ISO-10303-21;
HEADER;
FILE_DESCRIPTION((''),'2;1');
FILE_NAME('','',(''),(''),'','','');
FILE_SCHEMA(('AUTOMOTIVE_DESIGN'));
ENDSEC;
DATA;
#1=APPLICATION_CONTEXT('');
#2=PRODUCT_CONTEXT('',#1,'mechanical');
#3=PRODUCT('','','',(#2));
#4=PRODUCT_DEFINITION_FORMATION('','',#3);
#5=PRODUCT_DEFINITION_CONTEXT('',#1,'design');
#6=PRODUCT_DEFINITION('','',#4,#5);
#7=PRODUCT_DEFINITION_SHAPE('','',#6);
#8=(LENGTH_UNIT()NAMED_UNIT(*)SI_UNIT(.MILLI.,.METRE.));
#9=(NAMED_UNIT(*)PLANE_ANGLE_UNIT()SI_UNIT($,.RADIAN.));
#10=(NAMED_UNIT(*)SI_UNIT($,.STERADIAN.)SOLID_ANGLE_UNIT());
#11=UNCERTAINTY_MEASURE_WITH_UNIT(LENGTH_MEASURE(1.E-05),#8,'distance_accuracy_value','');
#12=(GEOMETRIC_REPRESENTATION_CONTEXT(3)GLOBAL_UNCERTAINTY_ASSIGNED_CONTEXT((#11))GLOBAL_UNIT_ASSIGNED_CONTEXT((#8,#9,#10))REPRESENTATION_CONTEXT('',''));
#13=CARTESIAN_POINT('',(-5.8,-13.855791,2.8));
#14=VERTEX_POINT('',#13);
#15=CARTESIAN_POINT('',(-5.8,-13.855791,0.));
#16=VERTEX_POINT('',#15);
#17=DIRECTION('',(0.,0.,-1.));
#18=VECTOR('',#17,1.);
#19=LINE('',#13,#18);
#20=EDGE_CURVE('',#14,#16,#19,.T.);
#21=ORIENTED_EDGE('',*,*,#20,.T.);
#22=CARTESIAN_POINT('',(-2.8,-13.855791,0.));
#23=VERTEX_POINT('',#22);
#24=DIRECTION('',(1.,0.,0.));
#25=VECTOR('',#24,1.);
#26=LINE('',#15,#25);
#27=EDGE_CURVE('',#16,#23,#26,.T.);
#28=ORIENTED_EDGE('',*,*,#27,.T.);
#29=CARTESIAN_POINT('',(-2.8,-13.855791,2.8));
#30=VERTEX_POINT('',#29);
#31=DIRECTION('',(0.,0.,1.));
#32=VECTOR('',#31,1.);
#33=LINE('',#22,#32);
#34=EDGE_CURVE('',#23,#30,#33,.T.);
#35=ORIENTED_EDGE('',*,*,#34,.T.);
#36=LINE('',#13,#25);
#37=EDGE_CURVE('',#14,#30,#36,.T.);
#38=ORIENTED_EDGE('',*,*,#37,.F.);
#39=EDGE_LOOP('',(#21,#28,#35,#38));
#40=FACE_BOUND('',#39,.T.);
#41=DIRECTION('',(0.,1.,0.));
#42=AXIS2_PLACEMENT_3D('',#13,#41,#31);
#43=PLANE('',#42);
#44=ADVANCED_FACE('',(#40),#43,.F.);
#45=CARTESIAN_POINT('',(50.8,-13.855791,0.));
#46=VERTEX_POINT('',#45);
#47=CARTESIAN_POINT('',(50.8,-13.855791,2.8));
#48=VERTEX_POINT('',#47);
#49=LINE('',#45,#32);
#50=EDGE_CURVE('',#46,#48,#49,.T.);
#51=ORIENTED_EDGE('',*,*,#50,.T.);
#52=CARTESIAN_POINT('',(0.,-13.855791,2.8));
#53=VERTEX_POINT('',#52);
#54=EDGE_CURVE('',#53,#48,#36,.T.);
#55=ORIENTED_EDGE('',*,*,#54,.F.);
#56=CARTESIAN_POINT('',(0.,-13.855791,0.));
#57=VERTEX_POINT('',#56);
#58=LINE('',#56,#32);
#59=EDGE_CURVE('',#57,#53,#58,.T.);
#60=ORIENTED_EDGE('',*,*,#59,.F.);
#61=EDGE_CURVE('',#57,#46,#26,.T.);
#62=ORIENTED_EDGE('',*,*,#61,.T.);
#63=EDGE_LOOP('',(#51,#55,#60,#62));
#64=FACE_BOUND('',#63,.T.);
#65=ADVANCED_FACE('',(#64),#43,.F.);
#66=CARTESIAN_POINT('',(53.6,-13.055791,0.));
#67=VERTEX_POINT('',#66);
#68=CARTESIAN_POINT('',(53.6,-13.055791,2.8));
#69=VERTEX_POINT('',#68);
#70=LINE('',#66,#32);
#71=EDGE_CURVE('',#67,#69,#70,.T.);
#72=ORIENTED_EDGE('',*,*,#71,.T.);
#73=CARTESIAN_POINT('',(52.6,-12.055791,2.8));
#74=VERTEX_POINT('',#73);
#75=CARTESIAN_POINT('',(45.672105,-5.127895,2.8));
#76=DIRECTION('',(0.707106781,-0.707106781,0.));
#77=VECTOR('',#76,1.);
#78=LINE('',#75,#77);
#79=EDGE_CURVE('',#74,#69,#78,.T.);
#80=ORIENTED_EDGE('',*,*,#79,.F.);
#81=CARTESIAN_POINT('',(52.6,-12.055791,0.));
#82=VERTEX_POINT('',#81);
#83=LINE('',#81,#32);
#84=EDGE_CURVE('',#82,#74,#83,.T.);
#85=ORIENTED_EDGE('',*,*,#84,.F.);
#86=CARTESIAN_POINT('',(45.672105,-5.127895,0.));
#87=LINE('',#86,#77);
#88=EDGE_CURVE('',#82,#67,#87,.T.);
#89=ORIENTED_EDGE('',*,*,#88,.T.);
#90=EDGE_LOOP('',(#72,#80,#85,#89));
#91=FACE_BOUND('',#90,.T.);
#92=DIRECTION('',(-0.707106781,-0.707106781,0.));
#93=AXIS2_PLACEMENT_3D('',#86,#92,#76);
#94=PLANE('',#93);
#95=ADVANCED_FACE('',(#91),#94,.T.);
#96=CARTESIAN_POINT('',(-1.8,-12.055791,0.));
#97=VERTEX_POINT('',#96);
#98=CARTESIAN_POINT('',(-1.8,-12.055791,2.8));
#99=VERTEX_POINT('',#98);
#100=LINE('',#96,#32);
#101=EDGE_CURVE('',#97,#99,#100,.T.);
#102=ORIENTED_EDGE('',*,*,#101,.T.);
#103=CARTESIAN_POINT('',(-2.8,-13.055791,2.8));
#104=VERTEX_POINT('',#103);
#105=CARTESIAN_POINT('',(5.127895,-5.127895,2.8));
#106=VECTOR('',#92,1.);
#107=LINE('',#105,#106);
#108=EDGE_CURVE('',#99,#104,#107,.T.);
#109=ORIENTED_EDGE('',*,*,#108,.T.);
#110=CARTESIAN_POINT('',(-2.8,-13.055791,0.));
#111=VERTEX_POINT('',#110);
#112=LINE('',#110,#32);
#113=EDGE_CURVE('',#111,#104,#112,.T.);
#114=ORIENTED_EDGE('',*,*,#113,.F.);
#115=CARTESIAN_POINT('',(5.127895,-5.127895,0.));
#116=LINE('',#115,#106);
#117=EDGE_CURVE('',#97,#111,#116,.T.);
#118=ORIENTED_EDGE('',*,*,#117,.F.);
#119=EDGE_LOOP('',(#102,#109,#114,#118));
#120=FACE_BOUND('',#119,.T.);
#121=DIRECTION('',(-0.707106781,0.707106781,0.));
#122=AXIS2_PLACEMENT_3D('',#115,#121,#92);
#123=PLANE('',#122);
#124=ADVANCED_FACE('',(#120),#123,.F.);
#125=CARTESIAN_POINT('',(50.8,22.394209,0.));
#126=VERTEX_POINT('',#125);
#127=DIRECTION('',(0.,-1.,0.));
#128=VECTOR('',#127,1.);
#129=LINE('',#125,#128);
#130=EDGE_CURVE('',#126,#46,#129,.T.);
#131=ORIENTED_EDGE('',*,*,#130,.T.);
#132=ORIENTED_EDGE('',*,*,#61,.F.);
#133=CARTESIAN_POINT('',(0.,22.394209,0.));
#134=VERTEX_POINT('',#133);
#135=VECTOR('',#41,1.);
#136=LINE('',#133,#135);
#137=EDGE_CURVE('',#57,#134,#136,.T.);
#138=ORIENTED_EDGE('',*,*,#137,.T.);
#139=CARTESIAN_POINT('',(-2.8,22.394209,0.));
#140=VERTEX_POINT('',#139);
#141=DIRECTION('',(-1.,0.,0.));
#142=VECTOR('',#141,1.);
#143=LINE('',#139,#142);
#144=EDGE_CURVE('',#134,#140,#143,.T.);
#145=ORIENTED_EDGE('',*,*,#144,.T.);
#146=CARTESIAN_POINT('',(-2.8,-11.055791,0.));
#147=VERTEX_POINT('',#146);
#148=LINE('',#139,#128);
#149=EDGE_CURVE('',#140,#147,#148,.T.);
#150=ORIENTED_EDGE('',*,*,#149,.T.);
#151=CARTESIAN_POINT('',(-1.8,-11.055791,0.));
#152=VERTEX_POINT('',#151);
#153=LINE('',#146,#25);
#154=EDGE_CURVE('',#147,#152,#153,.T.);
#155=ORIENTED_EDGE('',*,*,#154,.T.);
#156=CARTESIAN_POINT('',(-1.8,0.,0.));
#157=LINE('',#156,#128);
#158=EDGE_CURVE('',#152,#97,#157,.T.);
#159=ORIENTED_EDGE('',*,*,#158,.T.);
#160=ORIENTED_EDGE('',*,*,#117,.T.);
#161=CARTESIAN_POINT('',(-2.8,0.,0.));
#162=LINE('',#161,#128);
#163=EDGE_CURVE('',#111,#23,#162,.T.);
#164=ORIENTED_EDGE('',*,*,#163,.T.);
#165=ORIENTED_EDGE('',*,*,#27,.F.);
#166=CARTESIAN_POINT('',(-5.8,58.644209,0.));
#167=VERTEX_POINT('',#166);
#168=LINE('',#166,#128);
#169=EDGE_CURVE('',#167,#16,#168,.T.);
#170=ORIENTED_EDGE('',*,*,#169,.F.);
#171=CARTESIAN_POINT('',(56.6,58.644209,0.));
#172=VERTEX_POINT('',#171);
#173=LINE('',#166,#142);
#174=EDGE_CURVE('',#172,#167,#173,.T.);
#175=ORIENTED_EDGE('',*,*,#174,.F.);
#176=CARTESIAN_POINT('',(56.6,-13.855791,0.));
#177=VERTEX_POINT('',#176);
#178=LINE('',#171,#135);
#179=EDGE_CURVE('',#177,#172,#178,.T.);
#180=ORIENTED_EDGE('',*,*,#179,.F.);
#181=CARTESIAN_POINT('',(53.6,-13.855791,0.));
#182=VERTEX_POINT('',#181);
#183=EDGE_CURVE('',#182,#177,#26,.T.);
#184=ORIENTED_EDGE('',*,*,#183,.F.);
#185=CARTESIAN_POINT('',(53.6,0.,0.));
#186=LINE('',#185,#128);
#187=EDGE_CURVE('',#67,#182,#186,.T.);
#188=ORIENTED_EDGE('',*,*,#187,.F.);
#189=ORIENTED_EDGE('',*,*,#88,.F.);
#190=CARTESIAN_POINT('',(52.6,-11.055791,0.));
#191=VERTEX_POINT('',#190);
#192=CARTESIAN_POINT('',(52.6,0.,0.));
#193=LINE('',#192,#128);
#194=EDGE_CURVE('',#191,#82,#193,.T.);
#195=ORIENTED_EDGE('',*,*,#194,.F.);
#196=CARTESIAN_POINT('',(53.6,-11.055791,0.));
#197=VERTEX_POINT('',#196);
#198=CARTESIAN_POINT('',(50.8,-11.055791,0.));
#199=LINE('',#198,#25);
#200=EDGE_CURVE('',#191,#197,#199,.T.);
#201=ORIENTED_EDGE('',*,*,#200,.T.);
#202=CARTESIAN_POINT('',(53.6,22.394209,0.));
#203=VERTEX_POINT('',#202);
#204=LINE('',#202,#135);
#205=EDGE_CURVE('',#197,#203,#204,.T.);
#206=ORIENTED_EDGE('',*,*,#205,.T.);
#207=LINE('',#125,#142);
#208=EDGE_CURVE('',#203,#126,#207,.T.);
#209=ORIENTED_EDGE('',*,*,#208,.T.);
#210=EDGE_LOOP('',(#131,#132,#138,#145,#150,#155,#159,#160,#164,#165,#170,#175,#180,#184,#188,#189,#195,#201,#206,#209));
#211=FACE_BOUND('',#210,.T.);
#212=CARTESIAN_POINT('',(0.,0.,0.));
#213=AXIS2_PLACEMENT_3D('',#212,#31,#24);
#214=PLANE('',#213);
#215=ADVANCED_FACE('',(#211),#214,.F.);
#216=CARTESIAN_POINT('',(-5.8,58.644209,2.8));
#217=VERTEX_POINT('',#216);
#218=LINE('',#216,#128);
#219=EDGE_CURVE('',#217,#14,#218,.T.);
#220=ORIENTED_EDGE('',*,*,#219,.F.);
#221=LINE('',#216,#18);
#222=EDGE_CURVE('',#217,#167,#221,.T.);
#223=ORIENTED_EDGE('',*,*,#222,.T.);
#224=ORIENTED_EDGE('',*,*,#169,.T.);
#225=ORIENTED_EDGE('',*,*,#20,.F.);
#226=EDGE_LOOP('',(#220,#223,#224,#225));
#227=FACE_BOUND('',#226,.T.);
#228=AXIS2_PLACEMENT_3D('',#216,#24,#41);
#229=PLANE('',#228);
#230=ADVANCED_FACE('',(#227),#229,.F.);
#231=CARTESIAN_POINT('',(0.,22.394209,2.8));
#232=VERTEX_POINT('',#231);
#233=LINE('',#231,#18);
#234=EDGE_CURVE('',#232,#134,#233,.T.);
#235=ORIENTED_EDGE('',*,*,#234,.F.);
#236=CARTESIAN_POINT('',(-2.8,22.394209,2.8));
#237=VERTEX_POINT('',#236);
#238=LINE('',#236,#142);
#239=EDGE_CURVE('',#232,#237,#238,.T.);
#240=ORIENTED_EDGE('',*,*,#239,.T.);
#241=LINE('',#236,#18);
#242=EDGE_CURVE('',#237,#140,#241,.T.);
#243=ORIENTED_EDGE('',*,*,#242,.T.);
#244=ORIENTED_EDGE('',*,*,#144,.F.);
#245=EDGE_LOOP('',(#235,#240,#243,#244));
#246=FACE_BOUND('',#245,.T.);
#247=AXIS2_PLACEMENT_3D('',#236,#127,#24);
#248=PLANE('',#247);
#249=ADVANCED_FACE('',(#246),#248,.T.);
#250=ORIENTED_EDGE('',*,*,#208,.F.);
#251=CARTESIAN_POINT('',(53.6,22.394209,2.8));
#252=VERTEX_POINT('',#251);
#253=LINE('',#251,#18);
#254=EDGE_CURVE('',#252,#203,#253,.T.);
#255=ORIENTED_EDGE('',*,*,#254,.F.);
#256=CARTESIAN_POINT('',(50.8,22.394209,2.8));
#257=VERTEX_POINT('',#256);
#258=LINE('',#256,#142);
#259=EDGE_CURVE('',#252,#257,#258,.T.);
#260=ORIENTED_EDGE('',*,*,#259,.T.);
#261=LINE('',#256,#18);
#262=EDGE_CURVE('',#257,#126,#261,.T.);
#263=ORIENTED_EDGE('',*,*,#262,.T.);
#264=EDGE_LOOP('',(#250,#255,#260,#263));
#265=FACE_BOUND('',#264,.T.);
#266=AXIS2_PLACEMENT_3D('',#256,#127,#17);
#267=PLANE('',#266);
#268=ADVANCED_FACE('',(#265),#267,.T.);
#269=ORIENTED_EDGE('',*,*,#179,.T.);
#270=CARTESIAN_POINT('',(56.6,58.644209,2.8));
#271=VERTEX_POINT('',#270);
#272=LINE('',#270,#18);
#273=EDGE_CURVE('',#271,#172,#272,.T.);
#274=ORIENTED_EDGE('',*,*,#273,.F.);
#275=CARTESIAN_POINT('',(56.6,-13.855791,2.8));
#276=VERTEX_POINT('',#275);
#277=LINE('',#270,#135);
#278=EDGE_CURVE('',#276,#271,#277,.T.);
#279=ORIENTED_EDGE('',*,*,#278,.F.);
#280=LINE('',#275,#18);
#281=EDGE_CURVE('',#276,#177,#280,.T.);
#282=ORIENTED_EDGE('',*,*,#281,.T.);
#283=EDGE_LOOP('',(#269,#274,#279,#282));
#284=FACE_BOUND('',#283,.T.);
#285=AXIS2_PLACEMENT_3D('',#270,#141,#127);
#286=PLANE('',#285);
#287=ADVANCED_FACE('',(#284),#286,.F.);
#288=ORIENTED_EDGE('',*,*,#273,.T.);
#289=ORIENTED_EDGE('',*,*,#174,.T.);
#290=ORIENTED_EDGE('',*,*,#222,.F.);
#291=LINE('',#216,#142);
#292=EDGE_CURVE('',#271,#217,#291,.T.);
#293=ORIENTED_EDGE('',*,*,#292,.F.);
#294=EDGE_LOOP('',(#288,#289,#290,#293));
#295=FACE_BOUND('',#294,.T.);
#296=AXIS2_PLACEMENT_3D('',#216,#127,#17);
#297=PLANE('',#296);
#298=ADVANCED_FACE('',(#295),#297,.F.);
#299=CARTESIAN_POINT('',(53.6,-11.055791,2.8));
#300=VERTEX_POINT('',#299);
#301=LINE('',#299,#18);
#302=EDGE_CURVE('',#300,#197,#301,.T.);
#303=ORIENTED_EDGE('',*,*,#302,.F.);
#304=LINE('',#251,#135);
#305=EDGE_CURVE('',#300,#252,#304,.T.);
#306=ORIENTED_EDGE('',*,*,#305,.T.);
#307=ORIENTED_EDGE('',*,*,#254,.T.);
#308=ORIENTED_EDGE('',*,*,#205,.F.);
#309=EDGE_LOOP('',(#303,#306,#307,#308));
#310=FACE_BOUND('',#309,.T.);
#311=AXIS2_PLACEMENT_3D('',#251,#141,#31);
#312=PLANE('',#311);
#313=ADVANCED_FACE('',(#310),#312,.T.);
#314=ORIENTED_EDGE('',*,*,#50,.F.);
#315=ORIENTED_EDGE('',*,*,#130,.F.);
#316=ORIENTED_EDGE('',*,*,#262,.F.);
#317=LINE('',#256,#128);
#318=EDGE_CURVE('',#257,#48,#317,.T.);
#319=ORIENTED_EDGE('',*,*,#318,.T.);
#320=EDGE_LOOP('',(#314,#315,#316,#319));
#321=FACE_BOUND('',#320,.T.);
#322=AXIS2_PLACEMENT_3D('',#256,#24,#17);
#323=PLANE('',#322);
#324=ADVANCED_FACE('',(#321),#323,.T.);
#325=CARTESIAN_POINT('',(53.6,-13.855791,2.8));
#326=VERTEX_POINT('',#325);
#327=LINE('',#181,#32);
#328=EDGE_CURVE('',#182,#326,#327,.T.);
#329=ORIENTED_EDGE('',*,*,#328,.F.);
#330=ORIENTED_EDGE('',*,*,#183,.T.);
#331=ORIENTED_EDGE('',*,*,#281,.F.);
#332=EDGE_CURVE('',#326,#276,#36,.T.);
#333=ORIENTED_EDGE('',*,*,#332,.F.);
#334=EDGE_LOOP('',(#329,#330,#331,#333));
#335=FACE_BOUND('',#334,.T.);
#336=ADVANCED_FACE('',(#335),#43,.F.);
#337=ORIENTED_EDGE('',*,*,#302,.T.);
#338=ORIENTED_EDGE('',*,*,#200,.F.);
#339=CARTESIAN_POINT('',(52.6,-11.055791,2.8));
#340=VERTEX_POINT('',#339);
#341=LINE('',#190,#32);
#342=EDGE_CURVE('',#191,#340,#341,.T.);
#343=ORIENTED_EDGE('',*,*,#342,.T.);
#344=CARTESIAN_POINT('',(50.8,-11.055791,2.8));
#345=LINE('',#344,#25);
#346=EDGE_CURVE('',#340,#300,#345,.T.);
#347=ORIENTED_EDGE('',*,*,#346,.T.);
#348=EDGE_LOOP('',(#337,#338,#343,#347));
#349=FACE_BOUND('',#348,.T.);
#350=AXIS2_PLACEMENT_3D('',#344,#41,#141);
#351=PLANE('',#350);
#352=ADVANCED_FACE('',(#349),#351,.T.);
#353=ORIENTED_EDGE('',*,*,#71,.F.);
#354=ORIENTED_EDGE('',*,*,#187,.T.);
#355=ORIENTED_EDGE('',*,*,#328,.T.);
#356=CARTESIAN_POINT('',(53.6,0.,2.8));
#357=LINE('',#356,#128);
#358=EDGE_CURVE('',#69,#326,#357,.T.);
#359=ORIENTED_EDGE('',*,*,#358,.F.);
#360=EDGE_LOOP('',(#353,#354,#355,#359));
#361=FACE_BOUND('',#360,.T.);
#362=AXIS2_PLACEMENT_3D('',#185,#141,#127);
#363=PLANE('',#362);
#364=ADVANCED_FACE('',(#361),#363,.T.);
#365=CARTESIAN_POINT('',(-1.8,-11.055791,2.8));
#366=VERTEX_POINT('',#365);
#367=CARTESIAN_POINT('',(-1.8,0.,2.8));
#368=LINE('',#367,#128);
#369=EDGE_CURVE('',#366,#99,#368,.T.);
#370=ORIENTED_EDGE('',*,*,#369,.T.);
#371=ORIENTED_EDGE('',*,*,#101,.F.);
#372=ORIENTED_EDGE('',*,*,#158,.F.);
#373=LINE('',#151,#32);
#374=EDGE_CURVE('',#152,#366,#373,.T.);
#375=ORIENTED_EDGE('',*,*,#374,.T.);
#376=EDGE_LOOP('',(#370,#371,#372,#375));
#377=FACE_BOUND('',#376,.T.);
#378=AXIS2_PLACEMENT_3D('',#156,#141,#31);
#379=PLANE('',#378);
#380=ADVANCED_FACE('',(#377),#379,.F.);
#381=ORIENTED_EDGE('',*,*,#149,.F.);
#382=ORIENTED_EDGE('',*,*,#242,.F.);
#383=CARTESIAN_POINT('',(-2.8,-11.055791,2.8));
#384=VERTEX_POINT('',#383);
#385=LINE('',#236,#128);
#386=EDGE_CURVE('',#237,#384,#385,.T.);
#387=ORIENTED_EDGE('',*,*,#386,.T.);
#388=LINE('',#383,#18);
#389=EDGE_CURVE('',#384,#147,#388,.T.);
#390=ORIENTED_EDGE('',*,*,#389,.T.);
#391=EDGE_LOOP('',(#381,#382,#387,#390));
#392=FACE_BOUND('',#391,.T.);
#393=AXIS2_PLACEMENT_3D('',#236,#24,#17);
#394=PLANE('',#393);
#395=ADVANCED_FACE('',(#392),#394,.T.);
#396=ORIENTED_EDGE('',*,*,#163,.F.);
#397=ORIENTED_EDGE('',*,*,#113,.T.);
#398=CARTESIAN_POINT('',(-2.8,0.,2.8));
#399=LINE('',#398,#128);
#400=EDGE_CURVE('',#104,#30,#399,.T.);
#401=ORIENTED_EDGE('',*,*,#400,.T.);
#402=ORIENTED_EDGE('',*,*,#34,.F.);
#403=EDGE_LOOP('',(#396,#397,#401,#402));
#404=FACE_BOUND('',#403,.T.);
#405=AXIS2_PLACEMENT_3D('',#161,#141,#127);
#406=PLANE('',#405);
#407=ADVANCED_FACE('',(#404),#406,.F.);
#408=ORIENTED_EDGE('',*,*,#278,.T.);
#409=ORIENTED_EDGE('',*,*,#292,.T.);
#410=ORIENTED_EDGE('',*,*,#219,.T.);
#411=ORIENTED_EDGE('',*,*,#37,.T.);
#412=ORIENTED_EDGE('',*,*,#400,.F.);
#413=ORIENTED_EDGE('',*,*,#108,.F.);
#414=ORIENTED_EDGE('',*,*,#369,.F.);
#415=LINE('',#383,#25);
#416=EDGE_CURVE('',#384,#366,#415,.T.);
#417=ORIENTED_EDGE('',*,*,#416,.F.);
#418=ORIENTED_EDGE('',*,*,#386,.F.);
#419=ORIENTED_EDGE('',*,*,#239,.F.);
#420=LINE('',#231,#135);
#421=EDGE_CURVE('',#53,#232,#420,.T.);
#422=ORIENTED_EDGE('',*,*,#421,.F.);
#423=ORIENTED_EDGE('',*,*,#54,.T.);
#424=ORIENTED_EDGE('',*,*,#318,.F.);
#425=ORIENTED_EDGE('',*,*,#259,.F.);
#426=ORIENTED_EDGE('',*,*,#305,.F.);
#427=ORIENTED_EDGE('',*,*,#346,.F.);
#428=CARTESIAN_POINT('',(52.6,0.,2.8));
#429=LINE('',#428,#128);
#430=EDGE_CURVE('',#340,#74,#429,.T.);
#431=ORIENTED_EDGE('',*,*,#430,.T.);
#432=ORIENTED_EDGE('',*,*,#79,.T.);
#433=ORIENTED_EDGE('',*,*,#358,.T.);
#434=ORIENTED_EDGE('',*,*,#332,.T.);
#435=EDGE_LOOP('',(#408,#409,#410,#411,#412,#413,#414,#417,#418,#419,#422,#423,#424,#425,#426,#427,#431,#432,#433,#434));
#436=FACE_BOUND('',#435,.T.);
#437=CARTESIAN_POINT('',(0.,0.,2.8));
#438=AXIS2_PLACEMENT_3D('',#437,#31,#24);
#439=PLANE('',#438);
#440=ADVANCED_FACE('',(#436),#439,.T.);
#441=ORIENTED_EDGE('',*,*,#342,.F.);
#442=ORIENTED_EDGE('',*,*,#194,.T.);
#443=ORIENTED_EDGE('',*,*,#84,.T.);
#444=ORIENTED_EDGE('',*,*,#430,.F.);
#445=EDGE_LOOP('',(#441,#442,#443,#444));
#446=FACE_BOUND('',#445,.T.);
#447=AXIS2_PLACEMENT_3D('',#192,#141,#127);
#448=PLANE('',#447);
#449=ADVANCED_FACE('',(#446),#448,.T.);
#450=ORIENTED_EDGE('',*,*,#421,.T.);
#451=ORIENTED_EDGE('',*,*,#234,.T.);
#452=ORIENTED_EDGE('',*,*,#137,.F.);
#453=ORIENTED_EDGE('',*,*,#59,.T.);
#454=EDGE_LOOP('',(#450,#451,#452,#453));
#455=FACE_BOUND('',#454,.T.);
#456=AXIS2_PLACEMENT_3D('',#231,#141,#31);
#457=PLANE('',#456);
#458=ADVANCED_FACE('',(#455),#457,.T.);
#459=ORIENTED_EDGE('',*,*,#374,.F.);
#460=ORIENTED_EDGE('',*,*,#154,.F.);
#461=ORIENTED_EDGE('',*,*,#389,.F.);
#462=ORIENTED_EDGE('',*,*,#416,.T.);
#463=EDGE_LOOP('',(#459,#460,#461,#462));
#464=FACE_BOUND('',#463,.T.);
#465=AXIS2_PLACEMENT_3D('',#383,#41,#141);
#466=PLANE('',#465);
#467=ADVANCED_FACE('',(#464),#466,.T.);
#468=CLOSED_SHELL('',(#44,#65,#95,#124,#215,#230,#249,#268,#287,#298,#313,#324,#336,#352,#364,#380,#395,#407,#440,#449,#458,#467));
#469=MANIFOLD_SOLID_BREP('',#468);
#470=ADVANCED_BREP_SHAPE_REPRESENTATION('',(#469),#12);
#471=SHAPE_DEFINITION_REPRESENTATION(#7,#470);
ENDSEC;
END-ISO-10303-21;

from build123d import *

# Parameters (mm, degrees)
SKETCH1_W           = 62.4
SKETCH1_H           = 72.5
SKETCH1_W_2         = 2.8
SKETCH1_H_2         = 33.45
BOSS_EXTRUDE1_DEPTH = 2.8
CUT_EXTRUDE1_DEPTH  = 3.8


with BuildPart() as part:
    # Sketch1 → Boss-Extrude1 (new body)
    with BuildSketch(Plane.XY):
        with Locations((25.4, 22.394209189)):
            Rectangle(SKETCH1_W, SKETCH1_H)
        with Locations((-1.4, 5.669209189)):
            Rectangle(SKETCH1_W_2, SKETCH1_H_2, mode=Mode.SUBTRACT)
        with Locations((52.2, 5.669209189)):
            Rectangle(SKETCH1_W_2, SKETCH1_H_2, mode=Mode.SUBTRACT)
    extrude(amount=BOSS_EXTRUDE1_DEPTH)

    # Sketch2 → Cut-Extrude1 (cut, through all)
    with BuildSketch(Plane.XY.offset(2.8)):
        Polygon((0, -11.055790811), (-1.8, -11.055790811), (-1.8, -12.055790811), (-2.8, -13.055790811), (-2.8, -13.855790811), (0, -13.855790811), align=None)
    cut_extrude1 = extrude(amount=-CUT_EXTRUDE1_DEPTH, mode=Mode.SUBTRACT)

    # Mirror1: Cut-Extrude1 across plane
    add(cut_extrude1.mirror(Plane.ZY.offset(-25.4)), mode=Mode.SUBTRACT)


solid = part.part
